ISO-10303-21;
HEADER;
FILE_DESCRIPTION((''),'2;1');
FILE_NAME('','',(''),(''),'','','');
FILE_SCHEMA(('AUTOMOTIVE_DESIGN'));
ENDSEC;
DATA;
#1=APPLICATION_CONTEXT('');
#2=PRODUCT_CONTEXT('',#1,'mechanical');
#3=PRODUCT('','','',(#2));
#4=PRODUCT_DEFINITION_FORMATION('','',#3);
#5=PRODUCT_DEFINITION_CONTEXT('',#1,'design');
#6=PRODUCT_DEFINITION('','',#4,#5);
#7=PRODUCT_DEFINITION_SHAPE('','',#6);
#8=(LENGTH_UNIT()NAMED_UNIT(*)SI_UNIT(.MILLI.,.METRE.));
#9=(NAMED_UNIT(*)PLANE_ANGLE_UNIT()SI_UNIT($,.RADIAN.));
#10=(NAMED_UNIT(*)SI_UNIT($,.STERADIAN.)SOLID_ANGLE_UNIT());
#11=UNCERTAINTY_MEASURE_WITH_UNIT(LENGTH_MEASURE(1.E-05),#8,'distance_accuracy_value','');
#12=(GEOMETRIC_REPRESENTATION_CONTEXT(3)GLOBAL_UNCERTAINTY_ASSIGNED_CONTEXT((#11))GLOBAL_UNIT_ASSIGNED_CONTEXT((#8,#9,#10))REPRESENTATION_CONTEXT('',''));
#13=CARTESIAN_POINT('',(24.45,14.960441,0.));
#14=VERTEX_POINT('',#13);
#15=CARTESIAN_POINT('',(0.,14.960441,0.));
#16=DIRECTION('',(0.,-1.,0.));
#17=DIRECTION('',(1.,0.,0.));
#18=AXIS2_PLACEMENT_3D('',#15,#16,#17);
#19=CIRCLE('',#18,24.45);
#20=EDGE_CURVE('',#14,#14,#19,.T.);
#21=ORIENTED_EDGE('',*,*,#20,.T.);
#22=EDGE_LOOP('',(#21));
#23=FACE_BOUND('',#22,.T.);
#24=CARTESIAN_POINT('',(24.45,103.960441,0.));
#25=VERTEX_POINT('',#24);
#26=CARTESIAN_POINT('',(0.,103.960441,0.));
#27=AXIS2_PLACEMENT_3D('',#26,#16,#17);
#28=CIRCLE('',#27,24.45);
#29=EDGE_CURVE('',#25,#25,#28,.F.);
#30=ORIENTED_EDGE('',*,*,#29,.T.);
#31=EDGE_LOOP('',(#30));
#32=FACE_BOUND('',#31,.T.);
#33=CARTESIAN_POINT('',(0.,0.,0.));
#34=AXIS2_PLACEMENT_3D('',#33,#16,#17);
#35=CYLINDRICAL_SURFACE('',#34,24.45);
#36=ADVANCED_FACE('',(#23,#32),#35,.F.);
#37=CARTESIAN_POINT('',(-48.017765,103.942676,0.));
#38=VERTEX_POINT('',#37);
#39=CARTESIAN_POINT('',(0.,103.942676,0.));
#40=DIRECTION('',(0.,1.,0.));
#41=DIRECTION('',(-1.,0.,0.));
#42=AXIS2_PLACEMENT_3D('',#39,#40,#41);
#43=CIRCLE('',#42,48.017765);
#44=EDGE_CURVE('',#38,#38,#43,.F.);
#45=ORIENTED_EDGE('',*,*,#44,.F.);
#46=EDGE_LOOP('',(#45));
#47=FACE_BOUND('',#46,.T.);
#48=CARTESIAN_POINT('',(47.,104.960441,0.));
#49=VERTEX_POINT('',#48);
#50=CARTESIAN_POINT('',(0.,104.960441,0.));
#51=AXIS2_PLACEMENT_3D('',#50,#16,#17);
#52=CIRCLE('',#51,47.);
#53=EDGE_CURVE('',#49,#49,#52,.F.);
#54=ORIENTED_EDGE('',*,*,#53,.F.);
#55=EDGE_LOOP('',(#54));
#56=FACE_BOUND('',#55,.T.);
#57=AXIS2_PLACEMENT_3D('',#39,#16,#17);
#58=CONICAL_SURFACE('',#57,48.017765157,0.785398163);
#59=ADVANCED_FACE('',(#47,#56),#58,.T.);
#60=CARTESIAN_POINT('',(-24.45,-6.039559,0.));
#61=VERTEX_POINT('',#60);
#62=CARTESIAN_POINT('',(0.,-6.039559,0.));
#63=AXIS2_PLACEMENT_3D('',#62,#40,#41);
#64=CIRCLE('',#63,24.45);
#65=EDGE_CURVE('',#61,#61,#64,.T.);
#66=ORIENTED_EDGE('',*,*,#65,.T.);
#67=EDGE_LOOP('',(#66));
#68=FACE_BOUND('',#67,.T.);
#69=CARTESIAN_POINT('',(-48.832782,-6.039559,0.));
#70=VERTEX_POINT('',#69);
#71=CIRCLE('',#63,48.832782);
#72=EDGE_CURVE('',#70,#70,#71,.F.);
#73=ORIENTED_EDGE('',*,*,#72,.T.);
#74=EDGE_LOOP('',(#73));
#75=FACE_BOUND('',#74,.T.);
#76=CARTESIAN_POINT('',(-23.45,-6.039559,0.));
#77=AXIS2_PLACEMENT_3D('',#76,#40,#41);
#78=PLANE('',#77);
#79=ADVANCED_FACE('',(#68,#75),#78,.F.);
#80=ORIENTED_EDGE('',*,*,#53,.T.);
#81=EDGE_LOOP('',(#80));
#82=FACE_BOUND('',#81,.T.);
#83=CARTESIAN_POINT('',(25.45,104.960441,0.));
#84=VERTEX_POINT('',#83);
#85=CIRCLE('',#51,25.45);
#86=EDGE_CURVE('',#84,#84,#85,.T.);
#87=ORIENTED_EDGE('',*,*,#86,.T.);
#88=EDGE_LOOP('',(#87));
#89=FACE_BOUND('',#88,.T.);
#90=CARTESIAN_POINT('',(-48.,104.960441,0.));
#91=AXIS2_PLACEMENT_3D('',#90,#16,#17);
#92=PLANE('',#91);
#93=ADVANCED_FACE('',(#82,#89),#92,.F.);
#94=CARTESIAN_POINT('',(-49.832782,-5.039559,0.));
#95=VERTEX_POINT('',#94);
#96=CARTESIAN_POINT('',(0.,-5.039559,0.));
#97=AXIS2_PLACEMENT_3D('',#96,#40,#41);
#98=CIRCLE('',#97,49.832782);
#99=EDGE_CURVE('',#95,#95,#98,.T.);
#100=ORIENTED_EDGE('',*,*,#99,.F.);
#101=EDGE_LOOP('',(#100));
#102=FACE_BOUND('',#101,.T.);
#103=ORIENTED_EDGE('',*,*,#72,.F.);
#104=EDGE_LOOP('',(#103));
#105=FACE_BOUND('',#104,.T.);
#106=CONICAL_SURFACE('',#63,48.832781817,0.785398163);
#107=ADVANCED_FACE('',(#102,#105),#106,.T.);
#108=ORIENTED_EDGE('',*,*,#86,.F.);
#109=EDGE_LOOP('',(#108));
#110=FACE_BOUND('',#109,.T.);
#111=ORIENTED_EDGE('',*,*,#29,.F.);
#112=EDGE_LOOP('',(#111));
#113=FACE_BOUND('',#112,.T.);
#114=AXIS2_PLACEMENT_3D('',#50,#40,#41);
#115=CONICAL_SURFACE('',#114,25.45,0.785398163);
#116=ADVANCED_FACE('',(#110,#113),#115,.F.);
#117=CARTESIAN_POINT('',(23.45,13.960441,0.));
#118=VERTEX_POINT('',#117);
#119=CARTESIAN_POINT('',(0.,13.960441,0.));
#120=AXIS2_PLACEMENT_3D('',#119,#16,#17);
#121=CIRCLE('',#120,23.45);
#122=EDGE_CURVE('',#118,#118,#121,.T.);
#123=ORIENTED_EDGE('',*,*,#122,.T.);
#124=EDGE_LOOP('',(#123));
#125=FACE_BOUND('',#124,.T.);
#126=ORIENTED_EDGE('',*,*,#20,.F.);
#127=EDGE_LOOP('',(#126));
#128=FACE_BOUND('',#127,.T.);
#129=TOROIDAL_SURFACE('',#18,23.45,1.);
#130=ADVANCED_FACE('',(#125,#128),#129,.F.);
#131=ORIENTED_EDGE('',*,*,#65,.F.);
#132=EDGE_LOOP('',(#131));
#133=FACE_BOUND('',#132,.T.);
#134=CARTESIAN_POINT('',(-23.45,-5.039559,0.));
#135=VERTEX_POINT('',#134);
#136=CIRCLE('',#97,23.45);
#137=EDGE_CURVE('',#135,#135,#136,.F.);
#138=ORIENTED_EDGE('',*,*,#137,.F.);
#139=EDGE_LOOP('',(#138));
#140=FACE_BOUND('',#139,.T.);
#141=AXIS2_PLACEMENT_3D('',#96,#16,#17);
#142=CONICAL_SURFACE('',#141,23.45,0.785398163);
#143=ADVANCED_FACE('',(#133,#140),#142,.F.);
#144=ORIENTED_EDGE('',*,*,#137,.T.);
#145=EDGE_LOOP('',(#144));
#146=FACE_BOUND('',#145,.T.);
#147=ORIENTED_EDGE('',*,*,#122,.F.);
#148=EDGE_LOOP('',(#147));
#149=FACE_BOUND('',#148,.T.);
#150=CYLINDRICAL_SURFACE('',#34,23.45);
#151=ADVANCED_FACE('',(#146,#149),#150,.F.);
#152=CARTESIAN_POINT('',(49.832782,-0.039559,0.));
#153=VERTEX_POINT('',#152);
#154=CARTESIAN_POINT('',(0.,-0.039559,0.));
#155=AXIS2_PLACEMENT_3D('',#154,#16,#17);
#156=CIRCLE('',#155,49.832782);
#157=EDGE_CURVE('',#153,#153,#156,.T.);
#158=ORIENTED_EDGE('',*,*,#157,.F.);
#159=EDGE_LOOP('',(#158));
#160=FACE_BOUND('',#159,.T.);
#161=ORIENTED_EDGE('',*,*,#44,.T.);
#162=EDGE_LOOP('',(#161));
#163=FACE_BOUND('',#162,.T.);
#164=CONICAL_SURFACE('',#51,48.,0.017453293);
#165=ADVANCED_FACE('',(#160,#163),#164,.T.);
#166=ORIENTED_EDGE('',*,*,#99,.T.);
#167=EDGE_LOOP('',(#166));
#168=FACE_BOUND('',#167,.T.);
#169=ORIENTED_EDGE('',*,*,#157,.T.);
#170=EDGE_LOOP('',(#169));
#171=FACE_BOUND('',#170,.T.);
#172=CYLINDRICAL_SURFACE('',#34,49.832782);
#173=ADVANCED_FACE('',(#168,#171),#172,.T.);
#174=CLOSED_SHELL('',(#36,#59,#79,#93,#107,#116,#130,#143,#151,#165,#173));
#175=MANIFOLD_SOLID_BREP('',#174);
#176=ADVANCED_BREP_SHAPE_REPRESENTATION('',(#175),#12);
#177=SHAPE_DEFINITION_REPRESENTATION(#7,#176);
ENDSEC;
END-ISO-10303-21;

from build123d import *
from OCP.BRepFilletAPI import BRepFilletAPI_MakeChamfer

# Parameters (mm, degrees)
SFAZOWANIE1_SIZE  = 1
SFAZOWANIE1_SIZE2 = 1.017920191


with BuildPart() as part:
    # Szkic1 → Obrót1 (revolve)
    with BuildSketch(Plane.XY, mode=Mode.PRIVATE) as obr_t1_sk:
        with BuildLine():
            Line((-24.45, 14.960440746), (-24.45, 104.960440746))
            Line((-24.45, 104.960440746), (-48, 104.960440746))
            Line((-48, 104.960440746), (-49.832781817, -0.039559254))
            Line((-49.832781817, -0.039559254), (-49.832781817, -6.039559254))
            Line((-49.832781817, -6.039559254), (-23.45, -6.039559254))
            Line((-23.45, -6.039559254), (-23.45, 13.960440746))
            ThreePointArc((-23.45, 13.960440746), (-24.157106781, 14.253333965), (-24.45, 14.960440746))
        make_face()
    revolve(obr_t1_sk.sketch.rotate(Axis((0, 0, 0), (0, 1, 0)), 180), axis=Axis((0, 0, 0), (0, 1, 0)))

    # Sfazowanie1: one chamfer whose edges measure the first distance from different faces: ONE call of the kernel's chamfer builder (chamfer() names one face for all edges)
    sfazowanie1_edges_1 = [part.edges().sort_by_distance(p)[0] for p in [
        (-24.45, 104.960440746, 0),
        (-23.45, -6.039559254, 0),
        (-49.832781817, -6.039559254, 0),
    ]]
    sfazowanie1_edges_2 = [part.edges().sort_by_distance(p)[0] for p in [
        (-48, 104.960440746, 0),
    ]]
    sfazowanie1_side_2 = [part.faces().sort_by_distance(p)[0] for p in [
        (-25.80764502, 104.960440746, 0),
    ]]
    sfazowanie1 = BRepFilletAPI_MakeChamfer(part.part.solid().wrapped)
    for e in sfazowanie1_edges_1:
        sfazowanie1.Add(SFAZOWANIE1_SIZE, e.wrapped)
    for e in sfazowanie1_edges_2:
        sfazowanie1.Add(SFAZOWANIE1_SIZE, SFAZOWANIE1_SIZE2, e.wrapped, sfazowanie1_side_2[0].wrapped)  # the first distance lies on this face
    add(Compound.cast(sfazowanie1.Shape()), mode=Mode.REPLACE)


solid = part.part
